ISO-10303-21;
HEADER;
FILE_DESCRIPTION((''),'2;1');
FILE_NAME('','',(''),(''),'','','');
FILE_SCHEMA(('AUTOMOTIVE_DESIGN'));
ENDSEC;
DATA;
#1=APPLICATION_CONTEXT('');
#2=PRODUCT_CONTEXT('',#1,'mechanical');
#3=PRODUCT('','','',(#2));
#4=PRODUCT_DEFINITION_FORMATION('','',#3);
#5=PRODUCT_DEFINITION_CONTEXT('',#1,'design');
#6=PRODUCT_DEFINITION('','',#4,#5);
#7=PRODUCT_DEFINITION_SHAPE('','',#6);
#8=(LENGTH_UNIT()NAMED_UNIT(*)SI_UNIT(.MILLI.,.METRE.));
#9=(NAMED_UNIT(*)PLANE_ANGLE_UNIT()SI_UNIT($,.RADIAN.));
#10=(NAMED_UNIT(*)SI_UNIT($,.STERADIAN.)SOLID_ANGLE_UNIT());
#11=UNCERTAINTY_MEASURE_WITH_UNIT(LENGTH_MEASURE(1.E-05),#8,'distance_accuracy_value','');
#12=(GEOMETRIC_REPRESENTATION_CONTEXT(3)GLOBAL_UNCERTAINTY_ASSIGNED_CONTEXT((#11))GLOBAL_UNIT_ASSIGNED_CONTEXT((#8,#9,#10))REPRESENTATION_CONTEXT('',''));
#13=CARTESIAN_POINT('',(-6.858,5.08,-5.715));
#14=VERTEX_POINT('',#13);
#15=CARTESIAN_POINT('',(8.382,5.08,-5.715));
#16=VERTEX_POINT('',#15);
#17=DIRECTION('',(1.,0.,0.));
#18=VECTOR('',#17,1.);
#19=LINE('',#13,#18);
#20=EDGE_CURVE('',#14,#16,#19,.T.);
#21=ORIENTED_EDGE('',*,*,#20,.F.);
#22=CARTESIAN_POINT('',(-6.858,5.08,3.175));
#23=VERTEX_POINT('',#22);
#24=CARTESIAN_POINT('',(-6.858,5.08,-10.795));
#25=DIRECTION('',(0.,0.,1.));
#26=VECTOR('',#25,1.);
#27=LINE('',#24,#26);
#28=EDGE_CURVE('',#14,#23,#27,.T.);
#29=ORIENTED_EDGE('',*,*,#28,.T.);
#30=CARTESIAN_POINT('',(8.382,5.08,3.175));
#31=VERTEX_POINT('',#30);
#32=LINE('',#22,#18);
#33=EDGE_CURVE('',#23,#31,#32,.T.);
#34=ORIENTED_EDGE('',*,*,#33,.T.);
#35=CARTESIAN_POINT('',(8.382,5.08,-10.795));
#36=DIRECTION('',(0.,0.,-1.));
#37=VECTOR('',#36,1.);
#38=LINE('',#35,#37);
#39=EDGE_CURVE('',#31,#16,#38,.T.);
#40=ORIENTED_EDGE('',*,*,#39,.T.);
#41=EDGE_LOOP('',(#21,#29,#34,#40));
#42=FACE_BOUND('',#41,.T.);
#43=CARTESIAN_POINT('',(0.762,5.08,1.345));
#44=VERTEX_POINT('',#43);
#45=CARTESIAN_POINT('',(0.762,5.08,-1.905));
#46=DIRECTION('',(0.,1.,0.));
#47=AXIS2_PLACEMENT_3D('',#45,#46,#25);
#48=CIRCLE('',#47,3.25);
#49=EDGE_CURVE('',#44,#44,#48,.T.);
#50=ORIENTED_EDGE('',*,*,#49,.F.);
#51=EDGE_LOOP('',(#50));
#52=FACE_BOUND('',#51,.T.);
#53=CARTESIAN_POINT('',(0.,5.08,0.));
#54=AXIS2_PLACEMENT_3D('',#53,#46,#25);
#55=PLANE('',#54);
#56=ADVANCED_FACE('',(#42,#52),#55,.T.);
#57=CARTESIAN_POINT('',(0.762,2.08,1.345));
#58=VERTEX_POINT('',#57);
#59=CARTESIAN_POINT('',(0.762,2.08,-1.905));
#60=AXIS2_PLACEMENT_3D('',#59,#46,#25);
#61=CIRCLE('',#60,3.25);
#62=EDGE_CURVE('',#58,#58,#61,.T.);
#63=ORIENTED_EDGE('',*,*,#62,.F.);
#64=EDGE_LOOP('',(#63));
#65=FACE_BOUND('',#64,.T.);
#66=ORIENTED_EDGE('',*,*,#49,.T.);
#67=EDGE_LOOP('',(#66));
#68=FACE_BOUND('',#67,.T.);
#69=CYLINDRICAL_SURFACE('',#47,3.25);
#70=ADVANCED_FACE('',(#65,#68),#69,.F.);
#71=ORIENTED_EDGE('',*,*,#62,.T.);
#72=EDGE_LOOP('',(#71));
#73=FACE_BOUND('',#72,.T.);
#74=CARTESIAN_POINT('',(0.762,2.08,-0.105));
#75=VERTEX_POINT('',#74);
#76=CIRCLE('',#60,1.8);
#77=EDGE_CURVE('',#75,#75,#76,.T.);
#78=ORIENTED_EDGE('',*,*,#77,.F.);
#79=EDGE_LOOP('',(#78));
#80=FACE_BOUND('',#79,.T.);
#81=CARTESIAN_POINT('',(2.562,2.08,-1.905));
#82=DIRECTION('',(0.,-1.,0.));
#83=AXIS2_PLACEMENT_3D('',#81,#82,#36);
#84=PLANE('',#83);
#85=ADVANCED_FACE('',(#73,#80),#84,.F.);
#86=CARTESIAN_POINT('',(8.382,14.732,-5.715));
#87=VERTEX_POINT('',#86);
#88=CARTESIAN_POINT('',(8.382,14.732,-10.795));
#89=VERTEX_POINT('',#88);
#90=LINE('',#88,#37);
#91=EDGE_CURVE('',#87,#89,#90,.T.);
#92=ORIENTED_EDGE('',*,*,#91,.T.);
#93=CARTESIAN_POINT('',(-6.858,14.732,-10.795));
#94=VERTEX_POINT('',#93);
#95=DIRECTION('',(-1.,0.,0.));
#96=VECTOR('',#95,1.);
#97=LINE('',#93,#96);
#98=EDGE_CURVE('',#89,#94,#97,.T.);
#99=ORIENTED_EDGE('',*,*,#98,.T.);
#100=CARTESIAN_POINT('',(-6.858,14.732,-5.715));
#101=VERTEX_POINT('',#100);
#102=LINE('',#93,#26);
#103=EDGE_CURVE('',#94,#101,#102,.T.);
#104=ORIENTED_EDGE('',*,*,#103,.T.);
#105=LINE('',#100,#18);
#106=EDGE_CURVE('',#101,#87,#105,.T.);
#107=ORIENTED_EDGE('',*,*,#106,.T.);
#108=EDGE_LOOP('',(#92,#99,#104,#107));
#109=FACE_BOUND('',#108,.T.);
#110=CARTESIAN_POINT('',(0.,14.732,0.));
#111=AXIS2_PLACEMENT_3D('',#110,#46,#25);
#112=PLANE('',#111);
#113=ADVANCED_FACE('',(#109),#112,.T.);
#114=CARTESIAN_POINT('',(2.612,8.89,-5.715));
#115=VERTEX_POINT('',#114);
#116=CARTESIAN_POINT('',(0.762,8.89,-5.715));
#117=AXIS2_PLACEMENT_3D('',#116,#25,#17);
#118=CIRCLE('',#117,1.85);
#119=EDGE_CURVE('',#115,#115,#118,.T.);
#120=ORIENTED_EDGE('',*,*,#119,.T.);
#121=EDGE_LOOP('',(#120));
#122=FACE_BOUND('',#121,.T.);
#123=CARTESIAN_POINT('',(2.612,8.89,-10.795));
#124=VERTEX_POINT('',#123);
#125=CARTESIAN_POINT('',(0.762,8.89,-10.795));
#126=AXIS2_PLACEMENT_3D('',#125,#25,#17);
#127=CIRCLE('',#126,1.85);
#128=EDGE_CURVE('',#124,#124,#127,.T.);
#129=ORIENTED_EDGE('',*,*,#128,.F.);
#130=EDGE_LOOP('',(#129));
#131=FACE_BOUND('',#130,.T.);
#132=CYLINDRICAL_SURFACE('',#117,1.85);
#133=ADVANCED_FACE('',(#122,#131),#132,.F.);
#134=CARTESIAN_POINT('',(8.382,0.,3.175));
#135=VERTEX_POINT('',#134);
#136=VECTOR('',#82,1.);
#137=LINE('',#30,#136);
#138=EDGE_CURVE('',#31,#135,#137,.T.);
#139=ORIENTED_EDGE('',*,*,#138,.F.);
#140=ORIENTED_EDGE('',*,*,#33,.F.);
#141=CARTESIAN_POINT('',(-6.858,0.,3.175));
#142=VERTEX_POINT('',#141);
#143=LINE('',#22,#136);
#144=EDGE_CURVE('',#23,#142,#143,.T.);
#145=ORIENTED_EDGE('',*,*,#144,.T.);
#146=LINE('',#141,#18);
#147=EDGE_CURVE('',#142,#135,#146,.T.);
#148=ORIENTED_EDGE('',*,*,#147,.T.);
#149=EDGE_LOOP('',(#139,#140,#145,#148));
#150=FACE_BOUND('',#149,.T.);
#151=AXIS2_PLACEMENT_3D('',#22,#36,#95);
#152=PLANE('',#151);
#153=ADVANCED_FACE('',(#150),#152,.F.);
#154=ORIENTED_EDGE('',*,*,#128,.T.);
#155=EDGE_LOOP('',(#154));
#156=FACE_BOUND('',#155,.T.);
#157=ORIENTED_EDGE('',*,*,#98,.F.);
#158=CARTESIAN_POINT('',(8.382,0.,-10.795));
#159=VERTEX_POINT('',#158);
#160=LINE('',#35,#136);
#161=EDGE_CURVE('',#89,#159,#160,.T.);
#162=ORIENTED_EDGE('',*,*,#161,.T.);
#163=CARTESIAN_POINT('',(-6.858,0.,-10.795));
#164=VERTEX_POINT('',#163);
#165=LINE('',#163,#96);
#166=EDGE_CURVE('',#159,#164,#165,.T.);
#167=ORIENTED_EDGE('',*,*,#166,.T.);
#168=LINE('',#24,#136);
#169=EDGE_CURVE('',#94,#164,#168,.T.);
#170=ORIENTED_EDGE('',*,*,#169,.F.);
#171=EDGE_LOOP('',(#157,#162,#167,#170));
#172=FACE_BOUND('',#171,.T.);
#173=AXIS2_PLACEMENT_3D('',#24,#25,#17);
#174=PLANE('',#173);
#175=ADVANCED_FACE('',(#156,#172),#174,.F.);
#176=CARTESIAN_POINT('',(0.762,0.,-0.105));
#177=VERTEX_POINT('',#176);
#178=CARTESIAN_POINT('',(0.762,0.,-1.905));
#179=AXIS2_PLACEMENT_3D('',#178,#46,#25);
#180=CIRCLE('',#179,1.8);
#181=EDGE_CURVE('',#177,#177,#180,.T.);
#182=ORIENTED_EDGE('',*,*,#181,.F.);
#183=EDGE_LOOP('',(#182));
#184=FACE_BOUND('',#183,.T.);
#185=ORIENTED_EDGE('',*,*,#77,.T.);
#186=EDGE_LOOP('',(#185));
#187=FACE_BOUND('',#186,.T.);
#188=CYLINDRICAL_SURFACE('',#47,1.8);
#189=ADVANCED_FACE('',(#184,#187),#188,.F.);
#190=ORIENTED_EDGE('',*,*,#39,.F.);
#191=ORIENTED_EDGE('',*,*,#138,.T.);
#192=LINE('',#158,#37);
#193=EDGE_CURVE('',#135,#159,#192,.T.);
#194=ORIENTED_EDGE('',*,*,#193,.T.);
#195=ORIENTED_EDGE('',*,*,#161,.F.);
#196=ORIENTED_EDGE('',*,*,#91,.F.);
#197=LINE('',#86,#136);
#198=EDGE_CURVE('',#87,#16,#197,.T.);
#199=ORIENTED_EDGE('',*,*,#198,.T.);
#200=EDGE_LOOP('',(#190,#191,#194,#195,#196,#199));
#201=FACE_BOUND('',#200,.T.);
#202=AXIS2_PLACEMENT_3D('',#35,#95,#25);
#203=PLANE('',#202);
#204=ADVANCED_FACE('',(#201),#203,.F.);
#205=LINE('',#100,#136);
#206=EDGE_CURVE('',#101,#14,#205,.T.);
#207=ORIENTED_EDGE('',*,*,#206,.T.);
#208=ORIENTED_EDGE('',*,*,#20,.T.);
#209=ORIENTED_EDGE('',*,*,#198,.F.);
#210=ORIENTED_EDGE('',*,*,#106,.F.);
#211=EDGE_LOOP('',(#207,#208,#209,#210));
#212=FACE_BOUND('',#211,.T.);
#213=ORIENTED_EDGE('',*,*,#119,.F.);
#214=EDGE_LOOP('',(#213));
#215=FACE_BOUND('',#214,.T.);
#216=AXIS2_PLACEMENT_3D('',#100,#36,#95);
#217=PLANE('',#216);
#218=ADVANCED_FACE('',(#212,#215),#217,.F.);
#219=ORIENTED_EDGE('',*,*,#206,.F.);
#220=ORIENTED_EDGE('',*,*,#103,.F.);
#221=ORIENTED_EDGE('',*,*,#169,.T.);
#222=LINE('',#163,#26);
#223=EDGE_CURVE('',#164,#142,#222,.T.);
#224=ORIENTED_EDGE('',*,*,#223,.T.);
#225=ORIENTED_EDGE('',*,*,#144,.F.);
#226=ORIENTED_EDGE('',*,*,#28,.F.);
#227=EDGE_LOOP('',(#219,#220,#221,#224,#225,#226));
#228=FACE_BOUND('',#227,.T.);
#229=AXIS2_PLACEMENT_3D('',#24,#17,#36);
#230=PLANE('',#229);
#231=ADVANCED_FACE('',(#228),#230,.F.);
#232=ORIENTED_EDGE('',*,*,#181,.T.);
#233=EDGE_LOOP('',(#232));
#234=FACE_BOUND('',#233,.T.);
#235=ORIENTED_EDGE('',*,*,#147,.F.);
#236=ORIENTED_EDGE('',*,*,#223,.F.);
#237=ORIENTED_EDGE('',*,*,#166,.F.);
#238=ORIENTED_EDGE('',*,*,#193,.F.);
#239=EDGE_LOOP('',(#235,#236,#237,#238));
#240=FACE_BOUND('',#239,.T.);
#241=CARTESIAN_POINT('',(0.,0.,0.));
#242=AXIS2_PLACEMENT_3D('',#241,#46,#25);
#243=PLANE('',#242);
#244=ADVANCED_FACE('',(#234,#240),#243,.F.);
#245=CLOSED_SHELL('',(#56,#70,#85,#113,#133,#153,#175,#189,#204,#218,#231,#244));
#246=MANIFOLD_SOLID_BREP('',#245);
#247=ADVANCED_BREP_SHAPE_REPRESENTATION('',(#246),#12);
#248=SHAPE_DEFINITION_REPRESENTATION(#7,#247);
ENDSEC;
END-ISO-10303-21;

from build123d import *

# Parameters (mm, degrees)
SKETCH1_W                      = 15.24
SKETCH1_H                      = 13.97
BOSS_EXTRUDE1_DEPTH            = 5.08
SKETCH2_W                      = 15.24
SKETCH2_H                      = 5.08
BOSS_EXTRUDE2_DEPTH            = 9.652
M3_CLEARANCE_HOLE1_D           = 3.7
M3_CLEARANCE_HOLE1_DEPTH       = 25.4
M3_CLEARANCE_HOLE1_TIP         = 1.111592145
CBORE_FOR_M3_SHCS2_D           = 3.6
CBORE_FOR_M3_SHCS2_DEPTH       = 25.4
CBORE_FOR_M3_SHCS2_CBORE_D     = 6.5
CBORE_FOR_M3_SHCS2_CBORE_DEPTH = 3
CBORE_FOR_M3_SHCS2_TIP         = 1.081549114


with BuildPart() as part:
    # Sketch1 → Boss-Extrude1 (new body)
    with BuildSketch(Plane(origin=(0, 0, 0), x_dir=(1, 0, 0), z_dir=(0, 1, 0))):
        with Locations((0.762, 3.81)):
            Rectangle(SKETCH1_W, SKETCH1_H)
    extrude(amount=BOSS_EXTRUDE1_DEPTH)

    # Sketch2 → Boss-Extrude2 (add)
    with BuildSketch(Plane(origin=(0, 5.08, 0), x_dir=(1, 0, 0), z_dir=(0, 1, 0))):
        with Locations((0.762, 8.255)):
            Rectangle(SKETCH2_W, SKETCH2_H)
    extrude(amount=BOSS_EXTRUDE2_DEPTH)

    # M3 Clearance Hole1
    with Locations(Plane.XY.offset(-5.715)):
        with Locations((0.762, 8.89)):
            Hole(M3_CLEARANCE_HOLE1_D / 2, depth=M3_CLEARANCE_HOLE1_DEPTH)
            with Locations((0, 0, -(M3_CLEARANCE_HOLE1_DEPTH + M3_CLEARANCE_HOLE1_TIP / 2))):  # 118° drill point
                Cone(0, M3_CLEARANCE_HOLE1_D / 2, M3_CLEARANCE_HOLE1_TIP, mode=Mode.SUBTRACT)

    # CBORE for M3 SHCS2
    with Locations(Plane(origin=(0, 5.08, 0), x_dir=(1, 0, 0), z_dir=(0, 1, 0))):
        with Locations((0.762, 1.905)):
            CounterBoreHole(CBORE_FOR_M3_SHCS2_D / 2, CBORE_FOR_M3_SHCS2_CBORE_D / 2, CBORE_FOR_M3_SHCS2_CBORE_DEPTH, depth=CBORE_FOR_M3_SHCS2_DEPTH)
            with Locations((0, 0, -(CBORE_FOR_M3_SHCS2_DEPTH + CBORE_FOR_M3_SHCS2_TIP / 2))):  # 118° drill point
                Cone(0, CBORE_FOR_M3_SHCS2_D / 2, CBORE_FOR_M3_SHCS2_TIP, mode=Mode.SUBTRACT)


solid = part.part
